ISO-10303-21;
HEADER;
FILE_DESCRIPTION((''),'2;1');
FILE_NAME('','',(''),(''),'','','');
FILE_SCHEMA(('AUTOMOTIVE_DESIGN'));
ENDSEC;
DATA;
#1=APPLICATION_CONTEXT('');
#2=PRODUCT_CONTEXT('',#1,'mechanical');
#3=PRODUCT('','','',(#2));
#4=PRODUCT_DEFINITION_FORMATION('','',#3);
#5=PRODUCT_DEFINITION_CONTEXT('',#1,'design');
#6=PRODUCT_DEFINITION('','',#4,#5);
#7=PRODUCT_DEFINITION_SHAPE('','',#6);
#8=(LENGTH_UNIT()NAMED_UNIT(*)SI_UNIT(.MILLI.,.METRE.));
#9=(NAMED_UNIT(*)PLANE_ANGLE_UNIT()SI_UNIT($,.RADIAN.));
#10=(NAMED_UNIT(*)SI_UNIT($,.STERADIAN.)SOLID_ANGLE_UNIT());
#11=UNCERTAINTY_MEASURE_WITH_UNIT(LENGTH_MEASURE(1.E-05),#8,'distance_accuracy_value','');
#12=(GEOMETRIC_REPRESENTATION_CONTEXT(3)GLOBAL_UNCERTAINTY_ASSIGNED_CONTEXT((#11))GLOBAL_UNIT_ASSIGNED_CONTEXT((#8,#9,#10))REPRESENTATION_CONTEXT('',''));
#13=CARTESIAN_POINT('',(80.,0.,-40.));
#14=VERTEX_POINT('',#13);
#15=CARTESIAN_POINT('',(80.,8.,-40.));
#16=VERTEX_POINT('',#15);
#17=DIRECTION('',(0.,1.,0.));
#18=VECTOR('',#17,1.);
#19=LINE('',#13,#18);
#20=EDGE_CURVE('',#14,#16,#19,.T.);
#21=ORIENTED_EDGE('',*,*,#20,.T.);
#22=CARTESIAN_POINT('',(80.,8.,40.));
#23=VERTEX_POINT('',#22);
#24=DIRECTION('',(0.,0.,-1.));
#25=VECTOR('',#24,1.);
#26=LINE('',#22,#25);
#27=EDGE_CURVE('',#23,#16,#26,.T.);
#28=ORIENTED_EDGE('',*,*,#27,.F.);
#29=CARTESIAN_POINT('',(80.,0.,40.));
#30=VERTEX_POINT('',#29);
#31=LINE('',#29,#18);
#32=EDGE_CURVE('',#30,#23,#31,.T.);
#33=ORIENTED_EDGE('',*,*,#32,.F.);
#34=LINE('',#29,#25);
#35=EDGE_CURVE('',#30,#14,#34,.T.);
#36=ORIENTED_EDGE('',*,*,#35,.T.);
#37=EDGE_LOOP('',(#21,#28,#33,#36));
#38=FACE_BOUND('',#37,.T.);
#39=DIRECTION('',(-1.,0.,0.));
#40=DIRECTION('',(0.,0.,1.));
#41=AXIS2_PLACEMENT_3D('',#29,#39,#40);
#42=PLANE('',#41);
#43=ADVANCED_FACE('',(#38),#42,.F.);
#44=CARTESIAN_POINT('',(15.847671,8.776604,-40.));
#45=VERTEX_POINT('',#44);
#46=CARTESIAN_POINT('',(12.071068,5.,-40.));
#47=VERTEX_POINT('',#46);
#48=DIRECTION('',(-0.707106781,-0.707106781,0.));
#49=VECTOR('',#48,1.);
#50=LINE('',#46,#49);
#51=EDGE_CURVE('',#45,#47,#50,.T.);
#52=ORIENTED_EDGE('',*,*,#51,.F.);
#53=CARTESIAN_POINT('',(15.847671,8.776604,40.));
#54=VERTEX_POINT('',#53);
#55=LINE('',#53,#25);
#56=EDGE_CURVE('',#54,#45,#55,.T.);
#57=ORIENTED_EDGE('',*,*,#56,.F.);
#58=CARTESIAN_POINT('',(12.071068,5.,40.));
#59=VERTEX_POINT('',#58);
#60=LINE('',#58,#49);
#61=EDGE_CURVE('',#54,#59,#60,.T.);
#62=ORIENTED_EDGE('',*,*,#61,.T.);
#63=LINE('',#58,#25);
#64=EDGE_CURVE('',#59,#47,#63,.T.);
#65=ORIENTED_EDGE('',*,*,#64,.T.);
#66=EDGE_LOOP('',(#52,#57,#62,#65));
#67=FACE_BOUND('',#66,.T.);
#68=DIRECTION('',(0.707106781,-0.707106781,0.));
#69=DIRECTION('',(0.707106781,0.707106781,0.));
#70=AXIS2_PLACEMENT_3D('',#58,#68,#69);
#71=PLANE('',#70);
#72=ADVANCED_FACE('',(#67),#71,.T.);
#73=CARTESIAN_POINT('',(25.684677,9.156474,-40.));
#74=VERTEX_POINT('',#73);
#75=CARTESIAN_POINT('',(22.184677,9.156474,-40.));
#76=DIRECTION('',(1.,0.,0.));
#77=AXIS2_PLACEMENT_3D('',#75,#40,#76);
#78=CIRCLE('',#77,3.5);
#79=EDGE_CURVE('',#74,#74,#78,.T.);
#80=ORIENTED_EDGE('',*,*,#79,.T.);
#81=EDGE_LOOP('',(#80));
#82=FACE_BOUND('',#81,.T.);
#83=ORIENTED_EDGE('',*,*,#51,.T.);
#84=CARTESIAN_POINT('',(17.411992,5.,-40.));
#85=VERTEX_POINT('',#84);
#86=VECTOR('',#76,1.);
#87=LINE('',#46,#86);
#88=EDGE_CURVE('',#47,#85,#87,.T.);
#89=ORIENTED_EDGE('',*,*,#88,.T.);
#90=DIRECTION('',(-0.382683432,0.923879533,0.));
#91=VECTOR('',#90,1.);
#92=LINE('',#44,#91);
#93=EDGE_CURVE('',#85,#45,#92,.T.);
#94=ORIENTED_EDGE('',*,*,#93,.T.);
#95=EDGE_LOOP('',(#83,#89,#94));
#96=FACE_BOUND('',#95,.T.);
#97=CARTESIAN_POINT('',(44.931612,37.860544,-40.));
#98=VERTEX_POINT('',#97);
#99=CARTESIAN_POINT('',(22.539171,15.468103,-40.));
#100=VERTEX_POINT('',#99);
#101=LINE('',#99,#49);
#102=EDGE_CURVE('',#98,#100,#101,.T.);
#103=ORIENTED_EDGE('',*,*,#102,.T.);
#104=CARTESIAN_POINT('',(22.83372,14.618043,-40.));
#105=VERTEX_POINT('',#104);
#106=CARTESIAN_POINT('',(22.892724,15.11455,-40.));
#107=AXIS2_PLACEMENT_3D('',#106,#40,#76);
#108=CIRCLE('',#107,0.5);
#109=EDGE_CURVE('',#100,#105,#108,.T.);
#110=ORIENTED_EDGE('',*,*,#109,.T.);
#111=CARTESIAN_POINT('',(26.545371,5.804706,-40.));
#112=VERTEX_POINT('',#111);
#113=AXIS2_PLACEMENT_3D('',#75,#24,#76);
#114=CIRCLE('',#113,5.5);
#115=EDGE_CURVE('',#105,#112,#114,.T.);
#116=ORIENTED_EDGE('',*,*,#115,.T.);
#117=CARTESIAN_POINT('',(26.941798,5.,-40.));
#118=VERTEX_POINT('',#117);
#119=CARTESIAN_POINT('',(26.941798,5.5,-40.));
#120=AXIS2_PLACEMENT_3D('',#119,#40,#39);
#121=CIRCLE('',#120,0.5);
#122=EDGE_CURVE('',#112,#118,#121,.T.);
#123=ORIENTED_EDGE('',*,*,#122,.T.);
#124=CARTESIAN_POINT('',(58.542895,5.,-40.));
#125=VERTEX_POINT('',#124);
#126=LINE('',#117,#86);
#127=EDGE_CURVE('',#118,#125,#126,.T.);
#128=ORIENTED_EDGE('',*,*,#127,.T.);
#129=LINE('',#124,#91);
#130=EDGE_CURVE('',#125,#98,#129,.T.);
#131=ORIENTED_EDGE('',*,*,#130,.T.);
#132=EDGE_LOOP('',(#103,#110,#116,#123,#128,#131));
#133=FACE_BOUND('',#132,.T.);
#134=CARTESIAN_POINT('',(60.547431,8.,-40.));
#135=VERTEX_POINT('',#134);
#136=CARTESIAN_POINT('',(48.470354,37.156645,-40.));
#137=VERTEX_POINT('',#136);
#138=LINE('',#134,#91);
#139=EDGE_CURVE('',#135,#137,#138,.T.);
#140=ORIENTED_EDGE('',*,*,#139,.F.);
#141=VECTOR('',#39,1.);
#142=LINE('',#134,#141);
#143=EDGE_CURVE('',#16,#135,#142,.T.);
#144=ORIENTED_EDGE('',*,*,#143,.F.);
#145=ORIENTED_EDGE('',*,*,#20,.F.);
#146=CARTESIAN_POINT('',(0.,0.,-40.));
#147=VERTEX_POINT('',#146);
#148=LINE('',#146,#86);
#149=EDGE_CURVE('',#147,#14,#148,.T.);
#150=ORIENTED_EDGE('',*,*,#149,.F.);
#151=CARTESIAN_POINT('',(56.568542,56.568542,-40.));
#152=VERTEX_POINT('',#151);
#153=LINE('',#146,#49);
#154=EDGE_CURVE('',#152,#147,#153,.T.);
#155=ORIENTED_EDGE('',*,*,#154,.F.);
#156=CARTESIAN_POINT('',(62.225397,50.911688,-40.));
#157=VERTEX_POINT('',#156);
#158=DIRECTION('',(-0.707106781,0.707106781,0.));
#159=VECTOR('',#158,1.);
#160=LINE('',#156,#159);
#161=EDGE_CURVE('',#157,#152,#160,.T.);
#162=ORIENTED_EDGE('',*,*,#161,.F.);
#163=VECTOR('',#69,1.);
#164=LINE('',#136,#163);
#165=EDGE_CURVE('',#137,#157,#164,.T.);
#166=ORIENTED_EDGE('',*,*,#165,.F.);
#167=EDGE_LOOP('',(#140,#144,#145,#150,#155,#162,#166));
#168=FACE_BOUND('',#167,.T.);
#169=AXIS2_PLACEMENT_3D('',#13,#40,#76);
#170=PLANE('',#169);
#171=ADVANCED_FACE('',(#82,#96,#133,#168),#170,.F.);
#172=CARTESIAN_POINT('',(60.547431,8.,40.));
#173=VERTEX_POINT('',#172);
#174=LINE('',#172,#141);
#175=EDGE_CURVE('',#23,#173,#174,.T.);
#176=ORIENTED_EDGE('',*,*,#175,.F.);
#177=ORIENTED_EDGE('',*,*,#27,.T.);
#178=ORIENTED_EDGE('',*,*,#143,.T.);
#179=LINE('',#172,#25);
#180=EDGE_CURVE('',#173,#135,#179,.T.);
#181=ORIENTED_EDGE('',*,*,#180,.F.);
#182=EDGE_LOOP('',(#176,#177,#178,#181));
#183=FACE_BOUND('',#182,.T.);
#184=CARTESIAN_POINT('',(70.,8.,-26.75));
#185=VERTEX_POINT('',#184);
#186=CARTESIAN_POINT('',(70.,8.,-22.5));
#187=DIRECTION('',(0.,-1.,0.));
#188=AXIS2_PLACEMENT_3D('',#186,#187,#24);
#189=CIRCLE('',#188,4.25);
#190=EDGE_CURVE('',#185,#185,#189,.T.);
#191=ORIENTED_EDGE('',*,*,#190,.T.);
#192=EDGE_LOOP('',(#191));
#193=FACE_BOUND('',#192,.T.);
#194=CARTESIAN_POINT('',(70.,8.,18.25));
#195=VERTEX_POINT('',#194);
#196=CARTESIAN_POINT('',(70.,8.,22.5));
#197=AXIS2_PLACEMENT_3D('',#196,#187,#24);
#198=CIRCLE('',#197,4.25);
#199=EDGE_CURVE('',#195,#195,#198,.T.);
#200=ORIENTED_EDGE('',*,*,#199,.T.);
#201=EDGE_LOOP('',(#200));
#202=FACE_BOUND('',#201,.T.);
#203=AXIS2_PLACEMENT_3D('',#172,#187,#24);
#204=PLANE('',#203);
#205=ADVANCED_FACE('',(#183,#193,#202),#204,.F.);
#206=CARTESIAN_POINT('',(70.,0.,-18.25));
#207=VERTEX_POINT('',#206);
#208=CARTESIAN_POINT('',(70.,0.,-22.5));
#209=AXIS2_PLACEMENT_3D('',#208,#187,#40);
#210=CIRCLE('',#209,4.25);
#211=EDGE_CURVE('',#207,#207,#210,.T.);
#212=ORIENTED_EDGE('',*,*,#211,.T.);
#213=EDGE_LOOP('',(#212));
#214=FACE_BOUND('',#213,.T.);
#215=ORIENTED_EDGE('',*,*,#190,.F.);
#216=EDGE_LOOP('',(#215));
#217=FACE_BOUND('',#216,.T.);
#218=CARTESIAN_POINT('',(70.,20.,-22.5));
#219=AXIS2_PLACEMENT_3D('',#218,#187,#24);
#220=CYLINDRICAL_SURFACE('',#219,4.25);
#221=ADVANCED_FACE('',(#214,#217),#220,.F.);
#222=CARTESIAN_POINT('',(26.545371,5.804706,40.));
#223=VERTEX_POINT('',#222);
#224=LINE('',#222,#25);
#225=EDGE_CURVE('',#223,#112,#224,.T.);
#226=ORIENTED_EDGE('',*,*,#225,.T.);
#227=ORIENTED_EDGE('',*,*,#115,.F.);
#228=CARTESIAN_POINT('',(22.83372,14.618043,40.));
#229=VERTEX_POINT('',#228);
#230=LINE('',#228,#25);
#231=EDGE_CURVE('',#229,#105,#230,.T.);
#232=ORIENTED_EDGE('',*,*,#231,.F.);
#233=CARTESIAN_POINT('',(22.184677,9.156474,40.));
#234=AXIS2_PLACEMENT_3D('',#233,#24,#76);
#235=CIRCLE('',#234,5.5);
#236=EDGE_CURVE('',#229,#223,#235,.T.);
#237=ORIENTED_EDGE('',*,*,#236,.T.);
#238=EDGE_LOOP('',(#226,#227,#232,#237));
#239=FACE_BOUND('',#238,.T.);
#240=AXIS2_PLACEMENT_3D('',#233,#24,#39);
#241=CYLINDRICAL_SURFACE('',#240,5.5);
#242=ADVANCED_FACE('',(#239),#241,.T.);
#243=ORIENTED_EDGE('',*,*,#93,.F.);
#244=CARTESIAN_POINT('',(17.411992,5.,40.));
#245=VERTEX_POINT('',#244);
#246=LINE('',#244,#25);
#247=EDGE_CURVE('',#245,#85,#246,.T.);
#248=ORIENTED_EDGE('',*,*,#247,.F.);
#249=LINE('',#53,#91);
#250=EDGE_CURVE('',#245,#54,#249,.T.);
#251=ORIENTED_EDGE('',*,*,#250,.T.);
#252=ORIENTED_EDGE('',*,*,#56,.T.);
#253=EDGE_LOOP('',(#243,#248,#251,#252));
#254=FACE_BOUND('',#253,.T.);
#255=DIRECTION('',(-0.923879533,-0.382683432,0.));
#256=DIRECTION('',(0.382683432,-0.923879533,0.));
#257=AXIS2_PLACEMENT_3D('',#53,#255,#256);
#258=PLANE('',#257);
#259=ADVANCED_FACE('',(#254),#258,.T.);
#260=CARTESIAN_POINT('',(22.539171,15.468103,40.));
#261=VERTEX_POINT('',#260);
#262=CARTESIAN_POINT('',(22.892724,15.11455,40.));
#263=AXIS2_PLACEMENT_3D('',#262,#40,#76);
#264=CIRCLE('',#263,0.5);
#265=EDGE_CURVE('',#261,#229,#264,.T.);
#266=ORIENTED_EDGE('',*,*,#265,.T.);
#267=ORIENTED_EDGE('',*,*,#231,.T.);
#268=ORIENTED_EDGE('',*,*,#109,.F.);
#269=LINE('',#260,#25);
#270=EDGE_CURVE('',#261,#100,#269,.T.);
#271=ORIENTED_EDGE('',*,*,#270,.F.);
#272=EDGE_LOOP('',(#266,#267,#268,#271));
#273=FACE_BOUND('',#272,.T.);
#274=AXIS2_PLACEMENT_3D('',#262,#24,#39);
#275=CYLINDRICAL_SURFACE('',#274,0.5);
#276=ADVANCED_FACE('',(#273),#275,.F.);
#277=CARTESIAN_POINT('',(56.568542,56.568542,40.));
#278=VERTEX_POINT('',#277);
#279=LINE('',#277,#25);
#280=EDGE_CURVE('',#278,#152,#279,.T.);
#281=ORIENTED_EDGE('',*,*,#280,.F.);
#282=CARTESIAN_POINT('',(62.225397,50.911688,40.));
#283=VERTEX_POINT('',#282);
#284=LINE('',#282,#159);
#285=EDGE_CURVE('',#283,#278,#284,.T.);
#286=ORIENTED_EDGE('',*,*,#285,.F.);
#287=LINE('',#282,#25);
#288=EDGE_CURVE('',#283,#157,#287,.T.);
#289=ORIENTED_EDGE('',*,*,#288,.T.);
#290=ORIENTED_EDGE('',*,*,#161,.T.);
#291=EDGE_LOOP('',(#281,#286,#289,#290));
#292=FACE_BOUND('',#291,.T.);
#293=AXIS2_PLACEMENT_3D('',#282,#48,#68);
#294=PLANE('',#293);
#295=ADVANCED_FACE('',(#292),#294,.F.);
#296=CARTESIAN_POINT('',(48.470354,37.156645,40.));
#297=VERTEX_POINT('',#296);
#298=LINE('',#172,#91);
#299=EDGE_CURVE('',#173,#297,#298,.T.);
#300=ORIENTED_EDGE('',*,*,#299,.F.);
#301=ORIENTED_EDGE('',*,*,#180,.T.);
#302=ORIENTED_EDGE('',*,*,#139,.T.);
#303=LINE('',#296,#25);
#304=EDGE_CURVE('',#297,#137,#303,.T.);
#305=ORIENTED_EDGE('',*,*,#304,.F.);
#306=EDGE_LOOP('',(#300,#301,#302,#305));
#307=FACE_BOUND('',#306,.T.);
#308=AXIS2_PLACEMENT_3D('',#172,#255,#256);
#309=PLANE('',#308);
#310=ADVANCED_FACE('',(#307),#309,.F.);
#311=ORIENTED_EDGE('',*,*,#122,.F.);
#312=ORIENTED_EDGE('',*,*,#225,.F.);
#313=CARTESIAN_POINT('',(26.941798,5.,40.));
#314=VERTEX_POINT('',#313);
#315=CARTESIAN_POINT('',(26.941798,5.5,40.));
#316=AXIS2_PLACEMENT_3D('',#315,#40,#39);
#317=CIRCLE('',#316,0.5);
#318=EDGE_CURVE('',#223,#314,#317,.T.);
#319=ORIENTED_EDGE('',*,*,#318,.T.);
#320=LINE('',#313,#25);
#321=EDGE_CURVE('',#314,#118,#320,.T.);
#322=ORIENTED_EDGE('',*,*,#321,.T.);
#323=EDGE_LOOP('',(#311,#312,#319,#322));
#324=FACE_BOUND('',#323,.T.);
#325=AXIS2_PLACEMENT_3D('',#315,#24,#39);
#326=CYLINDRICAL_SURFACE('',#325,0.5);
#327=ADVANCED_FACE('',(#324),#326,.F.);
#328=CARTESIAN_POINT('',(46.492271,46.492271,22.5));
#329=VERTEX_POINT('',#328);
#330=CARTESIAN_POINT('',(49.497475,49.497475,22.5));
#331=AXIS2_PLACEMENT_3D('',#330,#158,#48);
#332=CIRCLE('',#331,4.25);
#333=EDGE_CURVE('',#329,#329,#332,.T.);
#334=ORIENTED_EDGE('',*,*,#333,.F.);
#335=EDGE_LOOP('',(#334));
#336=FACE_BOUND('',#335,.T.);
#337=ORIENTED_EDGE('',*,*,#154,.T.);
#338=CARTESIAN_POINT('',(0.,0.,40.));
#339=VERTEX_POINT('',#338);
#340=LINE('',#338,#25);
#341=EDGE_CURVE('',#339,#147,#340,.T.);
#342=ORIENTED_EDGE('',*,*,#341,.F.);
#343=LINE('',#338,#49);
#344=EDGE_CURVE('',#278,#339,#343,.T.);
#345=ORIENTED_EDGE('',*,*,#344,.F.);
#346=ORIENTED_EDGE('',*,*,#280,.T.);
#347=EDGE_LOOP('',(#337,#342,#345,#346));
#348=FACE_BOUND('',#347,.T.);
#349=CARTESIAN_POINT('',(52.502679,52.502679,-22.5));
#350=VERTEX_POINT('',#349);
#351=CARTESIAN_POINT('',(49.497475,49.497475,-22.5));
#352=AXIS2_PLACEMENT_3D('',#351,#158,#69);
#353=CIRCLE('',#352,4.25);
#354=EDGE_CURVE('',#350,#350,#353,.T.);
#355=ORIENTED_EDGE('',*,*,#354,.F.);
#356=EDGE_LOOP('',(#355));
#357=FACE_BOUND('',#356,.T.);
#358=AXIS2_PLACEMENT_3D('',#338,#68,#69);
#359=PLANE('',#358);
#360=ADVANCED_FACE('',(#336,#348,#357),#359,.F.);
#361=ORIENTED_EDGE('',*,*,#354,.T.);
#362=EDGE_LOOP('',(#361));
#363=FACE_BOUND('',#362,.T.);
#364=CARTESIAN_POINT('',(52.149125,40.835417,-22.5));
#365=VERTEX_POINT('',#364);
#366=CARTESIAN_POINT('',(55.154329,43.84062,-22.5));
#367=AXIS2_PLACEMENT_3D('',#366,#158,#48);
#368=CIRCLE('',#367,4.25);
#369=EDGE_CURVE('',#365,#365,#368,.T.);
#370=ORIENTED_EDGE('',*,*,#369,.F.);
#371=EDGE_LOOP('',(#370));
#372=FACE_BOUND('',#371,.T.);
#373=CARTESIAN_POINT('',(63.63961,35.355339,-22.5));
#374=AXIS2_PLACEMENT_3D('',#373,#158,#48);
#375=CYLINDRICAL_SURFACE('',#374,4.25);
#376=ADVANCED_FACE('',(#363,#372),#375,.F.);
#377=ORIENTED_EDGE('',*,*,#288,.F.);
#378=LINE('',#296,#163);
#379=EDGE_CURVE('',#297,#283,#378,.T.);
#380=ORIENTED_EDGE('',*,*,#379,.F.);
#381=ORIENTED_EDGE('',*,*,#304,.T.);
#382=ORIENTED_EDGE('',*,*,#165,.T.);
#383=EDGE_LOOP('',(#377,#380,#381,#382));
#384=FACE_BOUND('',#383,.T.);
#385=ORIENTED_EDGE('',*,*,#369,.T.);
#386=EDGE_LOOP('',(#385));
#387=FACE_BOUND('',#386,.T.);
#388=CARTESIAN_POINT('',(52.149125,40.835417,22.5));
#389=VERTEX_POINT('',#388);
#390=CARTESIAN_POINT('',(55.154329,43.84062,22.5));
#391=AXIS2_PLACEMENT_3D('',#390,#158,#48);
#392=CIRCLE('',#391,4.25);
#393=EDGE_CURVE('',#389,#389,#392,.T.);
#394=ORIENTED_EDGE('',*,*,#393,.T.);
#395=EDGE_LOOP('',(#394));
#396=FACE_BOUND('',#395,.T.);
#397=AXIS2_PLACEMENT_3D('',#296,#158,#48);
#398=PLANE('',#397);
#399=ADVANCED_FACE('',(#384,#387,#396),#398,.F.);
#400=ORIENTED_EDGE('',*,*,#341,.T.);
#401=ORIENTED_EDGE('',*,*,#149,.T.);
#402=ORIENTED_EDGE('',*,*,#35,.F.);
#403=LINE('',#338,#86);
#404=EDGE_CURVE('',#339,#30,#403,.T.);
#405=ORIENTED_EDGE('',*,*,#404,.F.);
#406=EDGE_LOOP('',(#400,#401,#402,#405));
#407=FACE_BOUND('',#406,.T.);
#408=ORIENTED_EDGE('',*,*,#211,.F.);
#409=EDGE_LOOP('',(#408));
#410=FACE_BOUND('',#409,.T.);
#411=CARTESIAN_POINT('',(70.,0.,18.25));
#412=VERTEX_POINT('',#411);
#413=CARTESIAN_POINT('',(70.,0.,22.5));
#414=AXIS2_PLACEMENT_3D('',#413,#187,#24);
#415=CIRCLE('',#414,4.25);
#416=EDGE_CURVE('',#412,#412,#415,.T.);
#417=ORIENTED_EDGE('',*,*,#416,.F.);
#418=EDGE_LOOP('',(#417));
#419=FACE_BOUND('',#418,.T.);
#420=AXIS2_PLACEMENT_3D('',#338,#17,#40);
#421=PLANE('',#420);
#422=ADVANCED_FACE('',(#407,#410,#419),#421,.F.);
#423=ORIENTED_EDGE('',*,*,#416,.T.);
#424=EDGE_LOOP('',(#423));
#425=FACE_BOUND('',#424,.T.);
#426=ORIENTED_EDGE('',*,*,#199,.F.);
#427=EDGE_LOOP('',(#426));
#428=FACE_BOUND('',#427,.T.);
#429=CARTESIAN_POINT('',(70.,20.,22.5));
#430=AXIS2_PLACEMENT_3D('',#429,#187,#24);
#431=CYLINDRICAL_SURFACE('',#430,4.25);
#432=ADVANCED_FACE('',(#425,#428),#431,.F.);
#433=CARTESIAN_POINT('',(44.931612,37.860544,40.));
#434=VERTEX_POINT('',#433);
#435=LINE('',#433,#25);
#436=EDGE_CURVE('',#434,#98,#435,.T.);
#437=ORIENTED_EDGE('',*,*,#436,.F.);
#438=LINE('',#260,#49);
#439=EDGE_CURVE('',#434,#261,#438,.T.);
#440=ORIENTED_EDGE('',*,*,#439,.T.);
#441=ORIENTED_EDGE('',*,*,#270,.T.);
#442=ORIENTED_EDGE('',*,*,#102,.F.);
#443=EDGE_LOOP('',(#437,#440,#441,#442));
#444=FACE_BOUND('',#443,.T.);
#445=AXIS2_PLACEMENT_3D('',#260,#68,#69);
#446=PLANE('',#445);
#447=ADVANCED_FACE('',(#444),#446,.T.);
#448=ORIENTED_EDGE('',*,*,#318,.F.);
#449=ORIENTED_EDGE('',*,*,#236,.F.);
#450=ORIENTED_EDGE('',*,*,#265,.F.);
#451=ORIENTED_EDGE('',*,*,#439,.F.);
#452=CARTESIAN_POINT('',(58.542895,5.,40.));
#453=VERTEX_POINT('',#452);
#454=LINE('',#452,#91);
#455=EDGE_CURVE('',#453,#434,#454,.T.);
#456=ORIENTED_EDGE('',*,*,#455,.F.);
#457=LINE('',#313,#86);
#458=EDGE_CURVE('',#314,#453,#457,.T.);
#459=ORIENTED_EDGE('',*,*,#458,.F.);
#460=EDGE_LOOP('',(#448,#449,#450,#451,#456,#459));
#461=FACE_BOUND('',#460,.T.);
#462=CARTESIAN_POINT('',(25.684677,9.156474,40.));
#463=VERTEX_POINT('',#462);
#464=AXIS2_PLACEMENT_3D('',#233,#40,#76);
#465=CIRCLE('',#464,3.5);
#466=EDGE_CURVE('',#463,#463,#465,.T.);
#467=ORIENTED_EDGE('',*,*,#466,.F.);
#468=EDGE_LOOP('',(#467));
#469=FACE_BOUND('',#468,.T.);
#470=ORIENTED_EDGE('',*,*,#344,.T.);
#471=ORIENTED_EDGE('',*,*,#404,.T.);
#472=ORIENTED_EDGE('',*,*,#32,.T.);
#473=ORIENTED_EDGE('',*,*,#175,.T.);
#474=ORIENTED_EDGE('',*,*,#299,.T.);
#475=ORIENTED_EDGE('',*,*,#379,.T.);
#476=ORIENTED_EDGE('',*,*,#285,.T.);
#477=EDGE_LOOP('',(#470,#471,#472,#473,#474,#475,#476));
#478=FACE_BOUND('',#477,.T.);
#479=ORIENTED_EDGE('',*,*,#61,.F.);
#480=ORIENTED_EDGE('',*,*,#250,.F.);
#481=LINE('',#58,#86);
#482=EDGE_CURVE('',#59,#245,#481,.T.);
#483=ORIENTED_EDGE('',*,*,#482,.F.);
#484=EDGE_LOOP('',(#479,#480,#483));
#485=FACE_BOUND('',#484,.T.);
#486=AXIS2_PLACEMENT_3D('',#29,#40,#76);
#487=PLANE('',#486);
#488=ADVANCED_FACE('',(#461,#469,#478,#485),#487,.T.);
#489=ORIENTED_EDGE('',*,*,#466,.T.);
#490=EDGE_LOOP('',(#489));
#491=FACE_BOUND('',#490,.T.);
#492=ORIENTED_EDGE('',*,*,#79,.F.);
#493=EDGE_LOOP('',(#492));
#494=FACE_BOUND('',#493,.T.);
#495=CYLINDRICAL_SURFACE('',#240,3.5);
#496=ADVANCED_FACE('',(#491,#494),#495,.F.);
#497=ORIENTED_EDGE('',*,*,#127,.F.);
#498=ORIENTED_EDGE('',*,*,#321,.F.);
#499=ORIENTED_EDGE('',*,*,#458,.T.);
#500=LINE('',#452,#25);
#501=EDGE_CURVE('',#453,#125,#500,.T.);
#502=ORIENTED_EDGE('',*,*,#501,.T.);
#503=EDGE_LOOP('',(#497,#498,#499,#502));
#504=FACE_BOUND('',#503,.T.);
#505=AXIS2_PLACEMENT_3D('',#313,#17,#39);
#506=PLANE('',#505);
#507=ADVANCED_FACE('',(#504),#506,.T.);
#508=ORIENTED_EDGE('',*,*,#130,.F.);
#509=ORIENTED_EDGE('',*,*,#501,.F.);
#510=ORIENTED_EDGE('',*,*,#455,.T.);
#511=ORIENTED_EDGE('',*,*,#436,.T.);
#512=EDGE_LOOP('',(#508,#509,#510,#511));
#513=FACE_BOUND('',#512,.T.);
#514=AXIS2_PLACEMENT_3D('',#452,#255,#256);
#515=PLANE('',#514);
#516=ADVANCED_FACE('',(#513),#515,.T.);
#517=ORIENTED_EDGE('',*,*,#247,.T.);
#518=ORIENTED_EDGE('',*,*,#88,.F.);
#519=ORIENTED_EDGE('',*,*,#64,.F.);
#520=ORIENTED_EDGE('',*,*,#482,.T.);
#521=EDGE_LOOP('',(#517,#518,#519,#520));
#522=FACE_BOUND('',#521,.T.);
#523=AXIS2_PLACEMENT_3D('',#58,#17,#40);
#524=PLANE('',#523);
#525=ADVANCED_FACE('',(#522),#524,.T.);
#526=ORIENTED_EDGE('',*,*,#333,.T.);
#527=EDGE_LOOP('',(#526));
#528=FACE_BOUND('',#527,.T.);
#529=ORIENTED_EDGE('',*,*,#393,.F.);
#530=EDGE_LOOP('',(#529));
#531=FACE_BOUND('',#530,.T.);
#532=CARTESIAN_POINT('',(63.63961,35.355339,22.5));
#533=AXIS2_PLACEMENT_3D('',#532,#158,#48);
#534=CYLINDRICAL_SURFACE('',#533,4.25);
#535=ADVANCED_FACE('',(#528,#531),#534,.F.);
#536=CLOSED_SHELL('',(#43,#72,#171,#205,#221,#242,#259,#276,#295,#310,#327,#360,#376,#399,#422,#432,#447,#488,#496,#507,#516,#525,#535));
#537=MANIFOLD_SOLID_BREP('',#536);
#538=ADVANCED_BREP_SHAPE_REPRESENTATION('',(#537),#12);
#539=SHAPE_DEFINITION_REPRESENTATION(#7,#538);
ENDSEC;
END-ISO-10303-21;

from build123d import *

# Parameters (mm, degrees)
SKETCH_1_R          = 3.5
EXTRUDE_1_DEPTH     = 40
SKETCH_2_R          = 4.25
CUT_EXTRUDE_1_DEPTH = 20
SKETCH_3_R          = 4.25
CUT_EXTRUDE_2_DEPTH = 20


with BuildPart() as part:
    # 草图1 → 凸台-拉伸1 (new, symmetric)
    with BuildSketch(Plane.XY):
        Polygon((0, 0), (56.568542495, 56.568542495), (62.225396744, 50.911688245), (48.470353518, 37.156645019), (60.547431318, 8), (80, 8), (80, 0), align=None)
        with Locations((22.184677187, 9.156473773)):
            Circle(SKETCH_1_R, mode=Mode.SUBTRACT)
        Polygon((12.071067812, 5), (15.847671377, 8.776603565), (17.411991793, 5), align=None, mode=Mode.SUBTRACT)
        with BuildLine():
            Line((22.539170943, 15.468103131), (44.931612237, 37.860544425))
            Line((44.931612237, 37.860544425), (58.542895405, 5))
            Line((58.542895405, 5), (26.941798117, 5))
            ThreePointArc((26.941798117, 5), (26.493271042, 5.27903968), (26.545371373, 5.804706148))
            ThreePointArc((26.545371373, 5.804706148), (27.253512915, 11.291164467), (22.833720405, 14.61804341))
            ThreePointArc((22.833720405, 14.61804341), (22.420282519, 14.950846558), (22.539170943, 15.468103131))
        make_face(mode=Mode.SUBTRACT)
    extrude(amount=EXTRUDE_1_DEPTH, both=True)

    # 草图2 → 切除-拉伸1 (cut)
    with BuildSketch(Plane(origin=(0, 0, 0), x_dir=(0, 0, 1), z_dir=(-0.7071067811865488, 0.7071067811865464, 0))):
        with Locations(Location((22.5, 70, 0), (0, 0, 270))):
            Circle(SKETCH_2_R)
        with Locations(Location((-22.5, 70, 0), (0, 0, 270))):
            Circle(SKETCH_2_R)
    extrude(amount=-CUT_EXTRUDE_1_DEPTH, mode=Mode.SUBTRACT)

    # 草图3 → 切除-拉伸2 (cut)
    with BuildSketch(Plane.XZ):
        with Locations(Location((70, 22.5, 0), (0, 0, 270))):
            Circle(SKETCH_3_R)
        with Locations(Location((70, -22.5, 0), (0, 0, 270))):
            Circle(SKETCH_3_R)
    extrude(amount=-CUT_EXTRUDE_2_DEPTH, mode=Mode.SUBTRACT)


solid = part.part
